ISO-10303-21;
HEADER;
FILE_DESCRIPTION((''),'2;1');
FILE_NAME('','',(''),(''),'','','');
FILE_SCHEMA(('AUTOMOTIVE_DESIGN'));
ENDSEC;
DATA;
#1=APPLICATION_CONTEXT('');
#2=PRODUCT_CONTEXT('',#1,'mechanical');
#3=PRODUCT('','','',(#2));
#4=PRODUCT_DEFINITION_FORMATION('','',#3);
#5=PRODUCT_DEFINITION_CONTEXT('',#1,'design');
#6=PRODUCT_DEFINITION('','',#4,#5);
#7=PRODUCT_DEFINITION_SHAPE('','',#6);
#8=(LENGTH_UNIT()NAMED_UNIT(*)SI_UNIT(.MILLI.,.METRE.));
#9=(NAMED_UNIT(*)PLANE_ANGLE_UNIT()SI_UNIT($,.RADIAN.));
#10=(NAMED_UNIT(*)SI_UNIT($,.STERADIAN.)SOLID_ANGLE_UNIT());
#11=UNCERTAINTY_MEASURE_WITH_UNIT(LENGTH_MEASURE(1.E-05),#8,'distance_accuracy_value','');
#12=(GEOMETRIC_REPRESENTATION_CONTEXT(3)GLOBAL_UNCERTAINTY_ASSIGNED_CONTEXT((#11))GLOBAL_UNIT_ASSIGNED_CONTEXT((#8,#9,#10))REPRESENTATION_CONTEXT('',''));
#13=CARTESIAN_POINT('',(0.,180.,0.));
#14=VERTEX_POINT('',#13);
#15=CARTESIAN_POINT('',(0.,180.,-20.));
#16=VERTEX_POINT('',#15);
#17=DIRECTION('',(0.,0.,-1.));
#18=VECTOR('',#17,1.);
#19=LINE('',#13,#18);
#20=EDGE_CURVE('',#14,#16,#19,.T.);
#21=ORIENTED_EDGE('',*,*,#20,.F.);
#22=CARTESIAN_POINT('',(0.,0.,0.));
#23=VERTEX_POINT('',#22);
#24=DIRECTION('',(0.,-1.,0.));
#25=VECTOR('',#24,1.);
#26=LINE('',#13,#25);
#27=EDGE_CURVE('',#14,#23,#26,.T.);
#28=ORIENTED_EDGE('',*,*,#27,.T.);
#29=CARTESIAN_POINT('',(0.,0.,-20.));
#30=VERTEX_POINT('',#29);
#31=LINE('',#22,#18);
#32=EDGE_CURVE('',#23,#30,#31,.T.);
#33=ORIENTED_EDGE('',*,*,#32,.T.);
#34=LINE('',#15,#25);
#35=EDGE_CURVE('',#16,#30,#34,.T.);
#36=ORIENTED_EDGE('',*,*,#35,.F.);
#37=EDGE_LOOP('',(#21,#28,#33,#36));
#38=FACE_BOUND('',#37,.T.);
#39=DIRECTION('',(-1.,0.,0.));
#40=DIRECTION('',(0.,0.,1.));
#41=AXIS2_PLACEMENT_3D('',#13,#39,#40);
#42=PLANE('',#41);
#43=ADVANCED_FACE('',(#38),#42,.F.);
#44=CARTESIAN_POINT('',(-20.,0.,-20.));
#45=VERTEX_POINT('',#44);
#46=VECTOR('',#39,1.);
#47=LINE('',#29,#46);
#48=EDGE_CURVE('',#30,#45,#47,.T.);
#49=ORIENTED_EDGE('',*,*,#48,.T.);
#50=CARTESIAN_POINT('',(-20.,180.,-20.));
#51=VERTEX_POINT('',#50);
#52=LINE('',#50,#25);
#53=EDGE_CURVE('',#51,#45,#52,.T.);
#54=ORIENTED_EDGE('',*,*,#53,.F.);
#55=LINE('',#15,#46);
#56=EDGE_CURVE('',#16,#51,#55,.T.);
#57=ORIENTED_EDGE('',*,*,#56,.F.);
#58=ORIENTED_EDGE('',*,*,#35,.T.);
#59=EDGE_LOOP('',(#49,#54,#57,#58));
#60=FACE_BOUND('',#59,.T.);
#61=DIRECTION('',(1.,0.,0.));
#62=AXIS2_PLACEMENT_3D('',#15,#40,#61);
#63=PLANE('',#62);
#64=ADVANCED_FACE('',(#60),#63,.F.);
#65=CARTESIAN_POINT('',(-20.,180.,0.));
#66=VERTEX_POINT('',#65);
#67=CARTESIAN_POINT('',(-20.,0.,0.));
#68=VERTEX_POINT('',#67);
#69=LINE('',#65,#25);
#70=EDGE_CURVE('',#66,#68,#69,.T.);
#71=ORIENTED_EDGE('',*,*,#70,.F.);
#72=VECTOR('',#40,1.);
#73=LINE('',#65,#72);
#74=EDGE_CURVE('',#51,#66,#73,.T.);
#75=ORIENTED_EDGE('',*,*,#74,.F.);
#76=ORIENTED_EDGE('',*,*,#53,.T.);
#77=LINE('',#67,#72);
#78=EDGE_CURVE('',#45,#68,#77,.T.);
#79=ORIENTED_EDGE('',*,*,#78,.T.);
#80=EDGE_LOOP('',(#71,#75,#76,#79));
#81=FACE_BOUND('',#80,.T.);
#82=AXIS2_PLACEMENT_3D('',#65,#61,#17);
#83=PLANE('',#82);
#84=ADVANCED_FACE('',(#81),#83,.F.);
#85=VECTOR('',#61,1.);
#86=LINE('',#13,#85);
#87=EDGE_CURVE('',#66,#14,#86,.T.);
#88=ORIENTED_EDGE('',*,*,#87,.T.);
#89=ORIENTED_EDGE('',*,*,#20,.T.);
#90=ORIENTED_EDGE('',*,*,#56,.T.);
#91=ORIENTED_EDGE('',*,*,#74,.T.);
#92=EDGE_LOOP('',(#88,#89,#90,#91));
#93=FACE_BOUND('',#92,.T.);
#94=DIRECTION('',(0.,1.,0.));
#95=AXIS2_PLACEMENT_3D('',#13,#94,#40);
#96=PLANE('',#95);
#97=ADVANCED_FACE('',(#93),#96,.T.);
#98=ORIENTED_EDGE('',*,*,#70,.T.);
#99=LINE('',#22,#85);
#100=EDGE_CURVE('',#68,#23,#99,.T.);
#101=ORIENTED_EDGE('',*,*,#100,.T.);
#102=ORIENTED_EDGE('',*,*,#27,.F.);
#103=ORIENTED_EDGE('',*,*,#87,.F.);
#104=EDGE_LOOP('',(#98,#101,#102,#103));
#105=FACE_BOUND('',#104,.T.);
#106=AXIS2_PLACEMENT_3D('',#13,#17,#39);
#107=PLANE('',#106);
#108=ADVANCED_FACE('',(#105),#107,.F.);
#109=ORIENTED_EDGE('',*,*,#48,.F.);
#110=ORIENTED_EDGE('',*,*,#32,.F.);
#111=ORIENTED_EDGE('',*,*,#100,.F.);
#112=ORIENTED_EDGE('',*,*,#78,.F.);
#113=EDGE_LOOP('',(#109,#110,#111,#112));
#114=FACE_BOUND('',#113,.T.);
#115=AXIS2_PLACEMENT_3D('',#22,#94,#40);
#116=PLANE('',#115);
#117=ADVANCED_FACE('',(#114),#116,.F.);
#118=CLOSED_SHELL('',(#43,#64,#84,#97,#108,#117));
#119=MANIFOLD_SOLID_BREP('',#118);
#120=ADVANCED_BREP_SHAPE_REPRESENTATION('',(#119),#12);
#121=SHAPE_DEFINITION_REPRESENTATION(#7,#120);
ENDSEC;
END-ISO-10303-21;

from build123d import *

# Parameters (mm, degrees)
ESQUISSE1_W        = 20
ESQUISSE1_H        = 20
BOSS_EXTRU_1_DEPTH = 180


with BuildPart() as part:
    # Esquisse1 → Boss.-Extru.1 (new body)
    with BuildSketch(Plane(origin=(0, 0, 0), x_dir=(1, 0, 0), z_dir=(0, 1, 0))):
        with Locations((-10, 10)):
            Rectangle(ESQUISSE1_W, ESQUISSE1_H)
    extrude(amount=BOSS_EXTRU_1_DEPTH)


solid = part.part
